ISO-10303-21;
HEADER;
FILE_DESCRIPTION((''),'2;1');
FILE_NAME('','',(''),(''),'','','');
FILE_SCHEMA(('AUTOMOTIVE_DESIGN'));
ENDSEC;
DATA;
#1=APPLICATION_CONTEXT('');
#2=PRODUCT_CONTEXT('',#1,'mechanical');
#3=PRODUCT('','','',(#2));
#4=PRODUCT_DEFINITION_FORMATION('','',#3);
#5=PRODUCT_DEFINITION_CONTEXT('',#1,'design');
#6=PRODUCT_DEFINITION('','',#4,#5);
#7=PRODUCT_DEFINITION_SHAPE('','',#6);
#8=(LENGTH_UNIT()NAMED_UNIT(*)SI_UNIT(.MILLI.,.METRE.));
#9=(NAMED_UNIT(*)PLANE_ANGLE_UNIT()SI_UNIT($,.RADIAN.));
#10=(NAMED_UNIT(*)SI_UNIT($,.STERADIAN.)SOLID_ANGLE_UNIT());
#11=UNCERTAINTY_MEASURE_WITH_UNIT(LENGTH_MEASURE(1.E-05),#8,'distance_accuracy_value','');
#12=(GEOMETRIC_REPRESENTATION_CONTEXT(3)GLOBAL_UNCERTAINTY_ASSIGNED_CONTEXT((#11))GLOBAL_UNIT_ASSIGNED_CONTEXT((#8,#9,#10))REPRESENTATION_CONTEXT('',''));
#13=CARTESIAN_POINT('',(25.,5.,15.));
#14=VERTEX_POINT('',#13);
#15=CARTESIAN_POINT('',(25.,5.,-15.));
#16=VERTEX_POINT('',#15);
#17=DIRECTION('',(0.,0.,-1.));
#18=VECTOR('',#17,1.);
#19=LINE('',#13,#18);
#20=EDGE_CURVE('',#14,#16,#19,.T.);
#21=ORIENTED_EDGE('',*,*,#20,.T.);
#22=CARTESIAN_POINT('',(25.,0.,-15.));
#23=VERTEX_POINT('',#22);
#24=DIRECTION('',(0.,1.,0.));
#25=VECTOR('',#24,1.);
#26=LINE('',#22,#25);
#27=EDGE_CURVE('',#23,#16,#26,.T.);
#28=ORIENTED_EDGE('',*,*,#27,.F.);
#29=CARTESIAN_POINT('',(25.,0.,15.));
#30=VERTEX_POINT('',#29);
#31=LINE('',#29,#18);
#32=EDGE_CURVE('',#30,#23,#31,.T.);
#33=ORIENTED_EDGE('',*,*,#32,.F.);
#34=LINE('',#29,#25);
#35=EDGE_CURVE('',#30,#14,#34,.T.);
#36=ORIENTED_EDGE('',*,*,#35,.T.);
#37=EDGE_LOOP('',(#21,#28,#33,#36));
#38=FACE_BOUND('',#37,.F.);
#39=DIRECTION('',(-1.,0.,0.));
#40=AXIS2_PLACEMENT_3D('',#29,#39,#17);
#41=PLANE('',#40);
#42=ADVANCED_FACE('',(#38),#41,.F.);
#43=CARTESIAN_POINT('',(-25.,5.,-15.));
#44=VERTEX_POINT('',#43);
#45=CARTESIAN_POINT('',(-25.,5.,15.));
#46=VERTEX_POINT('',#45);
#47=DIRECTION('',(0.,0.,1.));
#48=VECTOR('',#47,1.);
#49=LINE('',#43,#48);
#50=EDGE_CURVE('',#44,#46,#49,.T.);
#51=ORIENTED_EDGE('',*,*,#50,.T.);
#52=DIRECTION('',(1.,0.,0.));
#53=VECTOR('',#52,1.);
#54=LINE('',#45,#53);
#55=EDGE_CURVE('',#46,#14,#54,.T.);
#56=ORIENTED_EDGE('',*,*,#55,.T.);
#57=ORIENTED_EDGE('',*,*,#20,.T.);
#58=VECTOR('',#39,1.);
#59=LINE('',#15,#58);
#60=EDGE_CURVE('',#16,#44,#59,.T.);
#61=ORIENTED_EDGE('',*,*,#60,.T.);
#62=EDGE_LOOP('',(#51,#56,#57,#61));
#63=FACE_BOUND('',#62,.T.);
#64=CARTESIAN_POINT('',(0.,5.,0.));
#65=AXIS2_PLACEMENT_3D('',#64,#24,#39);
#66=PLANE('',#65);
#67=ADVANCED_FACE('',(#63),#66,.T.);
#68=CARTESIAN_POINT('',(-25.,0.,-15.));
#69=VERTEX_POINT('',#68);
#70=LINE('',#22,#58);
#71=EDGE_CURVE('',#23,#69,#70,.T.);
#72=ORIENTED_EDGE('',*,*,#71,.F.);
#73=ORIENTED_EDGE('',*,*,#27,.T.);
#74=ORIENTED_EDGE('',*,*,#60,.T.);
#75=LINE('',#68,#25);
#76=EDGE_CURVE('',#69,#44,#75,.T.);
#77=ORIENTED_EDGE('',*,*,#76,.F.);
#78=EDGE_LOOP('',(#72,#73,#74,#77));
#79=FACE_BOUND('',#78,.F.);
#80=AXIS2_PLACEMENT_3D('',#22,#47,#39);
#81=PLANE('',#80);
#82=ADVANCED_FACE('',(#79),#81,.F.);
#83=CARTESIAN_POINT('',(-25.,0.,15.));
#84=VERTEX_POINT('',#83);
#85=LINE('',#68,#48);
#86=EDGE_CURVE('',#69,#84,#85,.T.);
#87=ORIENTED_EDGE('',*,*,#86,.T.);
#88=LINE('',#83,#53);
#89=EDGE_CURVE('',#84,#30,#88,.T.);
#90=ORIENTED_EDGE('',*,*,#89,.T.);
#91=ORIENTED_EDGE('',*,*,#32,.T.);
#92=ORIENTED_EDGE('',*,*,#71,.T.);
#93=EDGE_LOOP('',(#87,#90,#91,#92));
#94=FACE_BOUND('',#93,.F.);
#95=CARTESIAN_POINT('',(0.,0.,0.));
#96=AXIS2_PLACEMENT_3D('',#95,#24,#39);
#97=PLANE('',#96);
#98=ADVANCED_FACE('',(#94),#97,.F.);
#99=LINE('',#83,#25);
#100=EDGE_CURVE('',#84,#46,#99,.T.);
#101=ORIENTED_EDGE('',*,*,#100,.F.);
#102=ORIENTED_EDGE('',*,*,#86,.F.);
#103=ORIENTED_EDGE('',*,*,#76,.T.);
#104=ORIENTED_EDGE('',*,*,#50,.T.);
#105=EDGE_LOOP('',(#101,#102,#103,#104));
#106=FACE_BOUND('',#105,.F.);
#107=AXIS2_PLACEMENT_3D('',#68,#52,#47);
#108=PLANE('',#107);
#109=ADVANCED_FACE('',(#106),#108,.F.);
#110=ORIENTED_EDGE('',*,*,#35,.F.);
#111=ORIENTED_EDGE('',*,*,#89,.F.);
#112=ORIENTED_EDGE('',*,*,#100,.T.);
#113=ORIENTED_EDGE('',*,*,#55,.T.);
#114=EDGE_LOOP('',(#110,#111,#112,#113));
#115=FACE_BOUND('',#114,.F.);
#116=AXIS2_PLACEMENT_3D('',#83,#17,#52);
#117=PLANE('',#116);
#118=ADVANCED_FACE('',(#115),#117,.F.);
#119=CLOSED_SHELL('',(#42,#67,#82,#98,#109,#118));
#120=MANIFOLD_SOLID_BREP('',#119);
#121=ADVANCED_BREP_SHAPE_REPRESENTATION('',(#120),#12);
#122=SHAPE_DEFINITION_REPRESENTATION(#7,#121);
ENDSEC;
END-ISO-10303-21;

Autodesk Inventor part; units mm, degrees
ref_plane "YZ Plane" through (0, 0, 0) normal (1, 0, 0) x (0, 1, 0)
ref_plane "XZ Plane" through (0, 0, 0) normal (0, 1, 0) x (-1, 0, 0)
ref_plane "XY Plane" through (0, 0, 0) normal (0, 0, 1) x (1, 0, 0)
sketch "Sketch1" plane through (0, 0, 0) normal (0, 1, 0) x (-1, 0, 0)
  line L0 (-25, -15) -> (25, -15)
  line L1 (25, -15) -> (25, 15)
  line L2 (25, 15) -> (-25, 15)
  line L3 (-25, 15) -> (-25, -15)
  line L4 (-25, -15) -> (25, 15) construction
  line L5 (25, -15) -> (-25, 15) construction
  point P0 (0, 0)
  dimension "d0" = 50
  dimension "d1" = 30
extrude "Extrusion1" add sketch "Sketch1" along normal blind 5
sketch "Sketch2" plane through (0, 0, 0) normal (0, -1, 0) x (1, 0, 0)
  line L0 (25, 15) -> (25, -15) projected
  line L1 (25, 0) -> (0, 0)
  line L2 (25, 0) -> (3, 0)
  line L3 (3, 0) -> (3, -15)
  line L4 (25, -15) -> (-25, -15) projected
  line L5 (3, 0) -> (3, 15)
  dimension "d4" = 22
properties part number "nanoMount"
